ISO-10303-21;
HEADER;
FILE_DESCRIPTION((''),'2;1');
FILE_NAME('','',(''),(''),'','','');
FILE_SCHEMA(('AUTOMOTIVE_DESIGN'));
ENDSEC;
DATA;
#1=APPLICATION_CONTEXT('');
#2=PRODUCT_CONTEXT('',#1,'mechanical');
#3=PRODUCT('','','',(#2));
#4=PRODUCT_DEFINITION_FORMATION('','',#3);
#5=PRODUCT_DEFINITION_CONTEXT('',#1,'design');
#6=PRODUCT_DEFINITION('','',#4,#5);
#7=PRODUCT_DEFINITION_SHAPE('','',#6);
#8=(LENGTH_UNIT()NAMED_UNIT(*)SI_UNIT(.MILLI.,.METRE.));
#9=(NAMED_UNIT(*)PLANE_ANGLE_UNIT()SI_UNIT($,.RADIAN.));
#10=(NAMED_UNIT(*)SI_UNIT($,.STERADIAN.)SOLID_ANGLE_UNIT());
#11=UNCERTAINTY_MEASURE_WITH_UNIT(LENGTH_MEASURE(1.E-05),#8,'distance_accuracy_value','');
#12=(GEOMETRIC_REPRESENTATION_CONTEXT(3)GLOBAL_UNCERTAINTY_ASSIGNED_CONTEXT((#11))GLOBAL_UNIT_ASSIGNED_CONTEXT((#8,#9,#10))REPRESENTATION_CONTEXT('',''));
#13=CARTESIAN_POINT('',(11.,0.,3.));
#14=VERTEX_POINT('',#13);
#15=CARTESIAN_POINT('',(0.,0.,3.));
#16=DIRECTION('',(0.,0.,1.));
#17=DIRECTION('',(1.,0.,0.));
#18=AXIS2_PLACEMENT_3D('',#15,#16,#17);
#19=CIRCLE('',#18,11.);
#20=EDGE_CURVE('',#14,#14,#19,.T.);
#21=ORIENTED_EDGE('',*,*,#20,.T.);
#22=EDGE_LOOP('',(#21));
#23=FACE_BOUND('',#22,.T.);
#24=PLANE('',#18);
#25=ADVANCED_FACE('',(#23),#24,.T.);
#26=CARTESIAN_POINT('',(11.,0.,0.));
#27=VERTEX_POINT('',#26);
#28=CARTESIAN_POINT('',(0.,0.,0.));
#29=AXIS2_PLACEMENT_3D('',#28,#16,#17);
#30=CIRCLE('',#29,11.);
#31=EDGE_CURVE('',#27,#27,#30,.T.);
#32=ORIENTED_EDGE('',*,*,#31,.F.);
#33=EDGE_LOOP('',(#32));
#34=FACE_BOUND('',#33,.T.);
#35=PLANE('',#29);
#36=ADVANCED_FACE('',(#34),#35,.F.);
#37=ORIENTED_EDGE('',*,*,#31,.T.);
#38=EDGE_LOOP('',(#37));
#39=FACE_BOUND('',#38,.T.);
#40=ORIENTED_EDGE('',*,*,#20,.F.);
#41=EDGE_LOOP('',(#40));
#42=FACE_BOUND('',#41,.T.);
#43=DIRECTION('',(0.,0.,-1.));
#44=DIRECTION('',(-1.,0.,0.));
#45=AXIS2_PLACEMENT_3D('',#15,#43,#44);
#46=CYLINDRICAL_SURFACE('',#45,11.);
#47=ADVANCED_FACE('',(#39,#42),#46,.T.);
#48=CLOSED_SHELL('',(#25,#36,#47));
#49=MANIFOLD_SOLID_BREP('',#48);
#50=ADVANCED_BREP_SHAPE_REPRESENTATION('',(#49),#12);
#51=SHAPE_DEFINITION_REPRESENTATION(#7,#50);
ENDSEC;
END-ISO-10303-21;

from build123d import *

# Parameters (mm, degrees)
SKETCH_1_R      = 11
EXTRUDE_4_DEPTH = 3


with BuildPart() as part:
    # Эскиз1 → Бобышка-Вытянуть4 (new body)
    with BuildSketch(Plane.XY):
        Circle(SKETCH_1_R)
    extrude(amount=EXTRUDE_4_DEPTH)


solid = part.part
